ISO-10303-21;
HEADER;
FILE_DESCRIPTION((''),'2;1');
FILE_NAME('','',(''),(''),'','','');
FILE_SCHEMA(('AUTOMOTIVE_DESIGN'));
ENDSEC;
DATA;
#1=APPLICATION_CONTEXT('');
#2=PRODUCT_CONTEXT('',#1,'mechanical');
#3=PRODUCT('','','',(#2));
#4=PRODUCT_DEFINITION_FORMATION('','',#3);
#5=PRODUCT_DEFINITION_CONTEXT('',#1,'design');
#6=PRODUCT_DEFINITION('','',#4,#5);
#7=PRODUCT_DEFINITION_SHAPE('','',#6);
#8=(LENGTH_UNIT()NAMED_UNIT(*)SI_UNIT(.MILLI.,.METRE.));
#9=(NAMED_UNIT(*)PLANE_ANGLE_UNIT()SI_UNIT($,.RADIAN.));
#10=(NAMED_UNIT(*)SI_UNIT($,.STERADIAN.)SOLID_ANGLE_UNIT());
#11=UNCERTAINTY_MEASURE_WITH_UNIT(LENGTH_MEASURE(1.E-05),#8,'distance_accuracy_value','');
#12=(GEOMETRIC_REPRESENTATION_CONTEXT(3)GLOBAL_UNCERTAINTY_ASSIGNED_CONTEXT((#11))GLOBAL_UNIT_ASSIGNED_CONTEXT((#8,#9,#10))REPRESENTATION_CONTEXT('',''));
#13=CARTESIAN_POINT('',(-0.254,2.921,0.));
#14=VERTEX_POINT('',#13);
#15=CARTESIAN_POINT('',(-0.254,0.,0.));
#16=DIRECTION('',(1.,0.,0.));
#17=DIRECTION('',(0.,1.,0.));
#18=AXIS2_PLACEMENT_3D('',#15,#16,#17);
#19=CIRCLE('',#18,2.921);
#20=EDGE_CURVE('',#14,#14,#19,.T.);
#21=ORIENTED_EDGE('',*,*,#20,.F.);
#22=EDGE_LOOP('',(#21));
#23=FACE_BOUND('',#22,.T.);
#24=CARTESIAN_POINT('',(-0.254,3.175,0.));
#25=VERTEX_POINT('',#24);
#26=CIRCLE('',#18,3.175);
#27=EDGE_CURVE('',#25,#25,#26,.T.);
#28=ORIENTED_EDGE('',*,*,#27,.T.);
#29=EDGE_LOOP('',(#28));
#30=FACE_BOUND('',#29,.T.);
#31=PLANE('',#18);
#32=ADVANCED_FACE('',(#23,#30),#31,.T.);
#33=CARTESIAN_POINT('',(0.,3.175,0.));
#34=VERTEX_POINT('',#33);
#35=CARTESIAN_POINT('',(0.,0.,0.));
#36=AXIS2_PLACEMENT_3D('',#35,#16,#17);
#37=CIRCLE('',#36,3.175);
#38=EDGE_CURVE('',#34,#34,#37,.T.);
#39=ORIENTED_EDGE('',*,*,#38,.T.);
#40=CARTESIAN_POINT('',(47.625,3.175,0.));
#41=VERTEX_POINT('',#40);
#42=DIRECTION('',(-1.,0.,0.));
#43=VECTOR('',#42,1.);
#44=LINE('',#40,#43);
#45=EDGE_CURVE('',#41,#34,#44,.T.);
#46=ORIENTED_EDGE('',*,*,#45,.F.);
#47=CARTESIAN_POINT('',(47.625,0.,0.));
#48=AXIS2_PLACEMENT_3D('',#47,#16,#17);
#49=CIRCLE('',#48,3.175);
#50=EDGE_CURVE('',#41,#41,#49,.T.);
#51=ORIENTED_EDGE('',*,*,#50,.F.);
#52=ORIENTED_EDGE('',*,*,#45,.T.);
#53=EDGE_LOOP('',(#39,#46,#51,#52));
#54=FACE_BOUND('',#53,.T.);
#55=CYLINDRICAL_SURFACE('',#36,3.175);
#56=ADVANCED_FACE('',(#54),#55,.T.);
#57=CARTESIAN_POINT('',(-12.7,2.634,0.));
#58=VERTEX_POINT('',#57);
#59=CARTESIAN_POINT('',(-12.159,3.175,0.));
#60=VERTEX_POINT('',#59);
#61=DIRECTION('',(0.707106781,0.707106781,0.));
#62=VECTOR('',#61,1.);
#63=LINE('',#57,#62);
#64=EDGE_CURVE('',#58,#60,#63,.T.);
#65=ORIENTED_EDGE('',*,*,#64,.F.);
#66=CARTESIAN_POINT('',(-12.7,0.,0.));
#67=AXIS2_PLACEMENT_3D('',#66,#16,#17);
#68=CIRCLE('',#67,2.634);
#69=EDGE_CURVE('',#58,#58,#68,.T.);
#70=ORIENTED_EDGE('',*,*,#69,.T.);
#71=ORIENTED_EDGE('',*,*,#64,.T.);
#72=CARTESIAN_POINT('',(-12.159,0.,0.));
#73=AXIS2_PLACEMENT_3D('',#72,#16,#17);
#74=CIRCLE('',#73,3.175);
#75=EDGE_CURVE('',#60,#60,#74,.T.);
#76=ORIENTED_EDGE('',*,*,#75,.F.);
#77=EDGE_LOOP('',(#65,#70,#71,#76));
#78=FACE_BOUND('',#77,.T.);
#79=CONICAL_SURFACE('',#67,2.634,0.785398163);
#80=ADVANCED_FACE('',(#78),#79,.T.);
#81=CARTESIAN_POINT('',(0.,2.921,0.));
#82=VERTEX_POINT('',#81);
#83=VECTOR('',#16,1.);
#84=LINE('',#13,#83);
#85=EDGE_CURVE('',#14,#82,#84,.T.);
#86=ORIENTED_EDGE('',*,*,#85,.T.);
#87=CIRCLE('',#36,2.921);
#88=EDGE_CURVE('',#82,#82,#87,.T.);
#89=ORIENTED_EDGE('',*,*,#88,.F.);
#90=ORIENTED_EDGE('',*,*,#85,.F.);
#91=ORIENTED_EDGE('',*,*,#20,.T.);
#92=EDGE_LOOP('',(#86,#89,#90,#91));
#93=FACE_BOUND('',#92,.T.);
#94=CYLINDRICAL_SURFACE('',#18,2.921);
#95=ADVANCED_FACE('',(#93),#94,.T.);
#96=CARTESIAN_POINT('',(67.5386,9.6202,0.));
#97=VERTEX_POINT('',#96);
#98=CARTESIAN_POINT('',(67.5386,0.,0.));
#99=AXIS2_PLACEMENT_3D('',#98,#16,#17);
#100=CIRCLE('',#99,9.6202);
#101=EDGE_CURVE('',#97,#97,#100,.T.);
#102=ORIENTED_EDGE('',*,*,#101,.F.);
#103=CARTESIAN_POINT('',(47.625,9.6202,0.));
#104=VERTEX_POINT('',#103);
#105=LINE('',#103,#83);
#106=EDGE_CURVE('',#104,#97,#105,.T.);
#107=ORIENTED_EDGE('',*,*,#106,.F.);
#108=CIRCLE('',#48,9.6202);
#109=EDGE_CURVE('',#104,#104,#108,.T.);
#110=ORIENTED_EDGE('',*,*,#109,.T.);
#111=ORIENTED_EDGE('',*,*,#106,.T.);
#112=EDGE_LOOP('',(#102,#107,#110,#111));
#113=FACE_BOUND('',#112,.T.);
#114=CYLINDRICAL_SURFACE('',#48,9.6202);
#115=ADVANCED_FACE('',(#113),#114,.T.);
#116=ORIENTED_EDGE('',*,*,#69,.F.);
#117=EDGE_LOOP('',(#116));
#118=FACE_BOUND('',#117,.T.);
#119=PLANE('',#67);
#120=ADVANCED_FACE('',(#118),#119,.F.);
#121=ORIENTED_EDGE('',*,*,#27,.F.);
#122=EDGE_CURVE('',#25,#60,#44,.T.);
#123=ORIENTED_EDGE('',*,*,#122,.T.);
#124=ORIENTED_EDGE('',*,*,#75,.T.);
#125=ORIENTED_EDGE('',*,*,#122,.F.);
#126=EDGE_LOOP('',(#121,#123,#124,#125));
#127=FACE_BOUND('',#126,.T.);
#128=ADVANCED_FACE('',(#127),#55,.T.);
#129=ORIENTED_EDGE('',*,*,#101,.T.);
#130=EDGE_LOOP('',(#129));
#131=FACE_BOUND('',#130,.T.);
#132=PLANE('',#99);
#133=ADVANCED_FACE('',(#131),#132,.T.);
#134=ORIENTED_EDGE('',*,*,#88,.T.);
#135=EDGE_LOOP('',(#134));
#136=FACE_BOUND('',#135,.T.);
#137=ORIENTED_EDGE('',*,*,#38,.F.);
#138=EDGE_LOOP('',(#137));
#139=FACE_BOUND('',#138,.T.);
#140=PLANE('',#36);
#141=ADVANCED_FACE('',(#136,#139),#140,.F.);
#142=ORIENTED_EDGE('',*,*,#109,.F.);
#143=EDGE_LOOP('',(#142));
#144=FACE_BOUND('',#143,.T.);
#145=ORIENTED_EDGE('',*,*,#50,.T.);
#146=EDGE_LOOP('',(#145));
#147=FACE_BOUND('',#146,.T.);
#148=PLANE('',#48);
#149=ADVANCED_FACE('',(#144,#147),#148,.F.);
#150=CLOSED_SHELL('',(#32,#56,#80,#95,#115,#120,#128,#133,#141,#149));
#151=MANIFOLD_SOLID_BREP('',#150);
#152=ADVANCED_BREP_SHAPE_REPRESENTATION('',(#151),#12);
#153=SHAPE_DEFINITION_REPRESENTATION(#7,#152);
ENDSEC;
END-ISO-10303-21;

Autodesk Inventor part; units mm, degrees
sketch "Sketch_1" plane through (0, 0, 0) normal (0, 0, 1) x (1, 0, 0)
  line L0 (67.5386, 0) -> (0, 0)
  line L1 (0, 0) -> (0, 3.175)
  line L2 (0, 3.175) -> (47.625, 3.175)
  line L3 (47.625, 3.175) -> (47.625, 9.6202)
  line L4 (47.625, 9.6202) -> (67.5386, 9.6202)
  line L5 (67.5386, 9.6202) -> (67.5386, 0)
  line L6 (67.5386, 0) -> (0, 0)
revolve "Revolution1" add sketch "Sketch_1" angle 360 about axis through (67.5386, 0, 0) along (1, 0, 0)
sketch "Sketch_3" plane through (0, 0, 0) normal (0, 0, 1) x (1, 0, 0)
  line L0 (0, 0) -> (-12.7, 0)
  line L1 (-12.7, 0) -> (-12.7, 2.634)
  line L2 (-12.7, 2.634) -> (-12.159, 3.175)
  line L3 (-12.159, 3.175) -> (0, 3.175)
  line L4 (0, 3.175) -> (0, 0)
  line L5 (0, 0) -> (-12.7, 0)
revolve "Revolution2" add sketch "Sketch_3" angle 360 about axis through (0, 0, 0) along (1, 0, 0)
sketch "Sketch_30" plane through (0, 0, 0) normal (0, 0, 1) x (1, 0, 0)
  line L0 (0, 0) -> (-0.254, 0)
  line L1 (-0.254, 2.921) -> (0, 2.921)
  line L2 (0, 2.921) -> (0, 3.429)
  line L3 (0, 3.429) -> (-0.254, 3.429)
  line L4 (-0.254, 3.429) -> (-0.254, 2.921)
revolve "Revolution3" cut sketch "Sketch_30" angle 360 about axis through (0, 0, 0) along (1, 0, 0)
ref_plane "dia1_XY" through (0, 3.175, 0) normal (1, 0, 0) x (0, 0, -1)
ref_plane "dia1_YZ" through (0, 3.175, 0) normal (0, 0, -1) x (0, 1, 0)
ref_plane "dia1_ZX" through (0, 3.175, 0) normal (0, 1, 0) x (1, 0, 0)
ref_plane "dia12_XY" through (0, 0, 10.2235) normal (1, 0, 0) x (0, 0, -1)
ref_plane "dia12_YZ" through (0, 0, 10.2235) normal (0, 0, -1) x (0, 1, 0)
ref_plane "dia12_ZX" through (0, 0, 10.2235) normal (0, 1, 0) x (1, 0, 0)
ref_plane "dia2_XY" through (0, -3.175, 0) normal (1, 0, 0) x (0, 0, -1)
ref_plane "dia2_YZ" through (0, -3.175, 0) normal (0, 0, -1) x (0, 1, 0)
ref_plane "dia2_ZX" through (0, -3.175, 0) normal (0, 1, 0) x (1, 0, 0)
ref_plane "dia22_XY" through (0, 0, -10.2235) normal (1, 0, 0) x (0, 0, -1)
ref_plane "dia22_YZ" through (0, 0, -10.2235) normal (0, 0, -1) x (0, 1, 0)
ref_plane "dia22_ZX" through (0, 0, -10.2235) normal (0, 1, 0) x (1, 0, 0)
ref_plane "rl1_XY" through (-12.7, 0, 0) normal (1, 0, 0) x (0, 0, -1)
ref_plane "rl1_YZ" through (-12.7, 0, 0) normal (0, 0, -1) x (0, 1, 0)
ref_plane "rl1_ZX" through (-12.7, 0, 0) normal (0, 1, 0) x (1, 0, 0)
ref_plane "rl2_XY" through (0, 0, 0) normal (1, 0, 0) x (0, 0, -1)
ref_plane "rl2_YZ" through (0, 0, 0) normal (0, 0, -1) x (0, 1, 0)
ref_plane "rl2_ZX" through (0, 0, 0) normal (0, 1, 0) x (1, 0, 0)
ref_plane "rod_cp_XY" through (0, 0, 0) normal (1, 0, 0) x (0, 0, -1)
ref_plane "rod_cp_YZ" through (0, 0, 0) normal (0, 0, -1) x (0, 1, 0)
ref_plane "rod_cp_ZX" through (0, 0, 0) normal (0, 1, 0) x (1, 0, 0)
ref_plane "thd1_XY" through (-12.7, 3.175, 0) normal (1, 0, 0) x (0, 0, -1)
ref_plane "thd1_YZ" through (-12.7, 3.175, 0) normal (0, 0, -1) x (0, 1, 0)
ref_plane "thd1_ZX" through (-12.7, 3.175, 0) normal (0, 1, 0) x (1, 0, 0)
ref_plane "thd2_XY" through (-12.7, -3.175, 0) normal (1, 0, 0) x (0, 0, -1)
ref_plane "thd2_YZ" through (-12.7, -3.175, 0) normal (0, 0, -1) x (0, 1, 0)
ref_plane "thd2_ZX" through (-12.7, -3.175, 0) normal (0, 1, 0) x (1, 0, 0)
ref_plane "to_rod_clevis_XY" through (-16.764, 0, 0) normal (1, 0, 0) x (0, 0, -1)
ref_plane "to_rod_clevis_YZ" through (-16.764, 0, 0) normal (0, 0, -1) x (0, 1, 0)
ref_plane "to_rod_clevis_ZX" through (-16.764, 0, 0) normal (0, 1, 0) x (1, 0, 0)
properties part number "C-0410000_rod"
